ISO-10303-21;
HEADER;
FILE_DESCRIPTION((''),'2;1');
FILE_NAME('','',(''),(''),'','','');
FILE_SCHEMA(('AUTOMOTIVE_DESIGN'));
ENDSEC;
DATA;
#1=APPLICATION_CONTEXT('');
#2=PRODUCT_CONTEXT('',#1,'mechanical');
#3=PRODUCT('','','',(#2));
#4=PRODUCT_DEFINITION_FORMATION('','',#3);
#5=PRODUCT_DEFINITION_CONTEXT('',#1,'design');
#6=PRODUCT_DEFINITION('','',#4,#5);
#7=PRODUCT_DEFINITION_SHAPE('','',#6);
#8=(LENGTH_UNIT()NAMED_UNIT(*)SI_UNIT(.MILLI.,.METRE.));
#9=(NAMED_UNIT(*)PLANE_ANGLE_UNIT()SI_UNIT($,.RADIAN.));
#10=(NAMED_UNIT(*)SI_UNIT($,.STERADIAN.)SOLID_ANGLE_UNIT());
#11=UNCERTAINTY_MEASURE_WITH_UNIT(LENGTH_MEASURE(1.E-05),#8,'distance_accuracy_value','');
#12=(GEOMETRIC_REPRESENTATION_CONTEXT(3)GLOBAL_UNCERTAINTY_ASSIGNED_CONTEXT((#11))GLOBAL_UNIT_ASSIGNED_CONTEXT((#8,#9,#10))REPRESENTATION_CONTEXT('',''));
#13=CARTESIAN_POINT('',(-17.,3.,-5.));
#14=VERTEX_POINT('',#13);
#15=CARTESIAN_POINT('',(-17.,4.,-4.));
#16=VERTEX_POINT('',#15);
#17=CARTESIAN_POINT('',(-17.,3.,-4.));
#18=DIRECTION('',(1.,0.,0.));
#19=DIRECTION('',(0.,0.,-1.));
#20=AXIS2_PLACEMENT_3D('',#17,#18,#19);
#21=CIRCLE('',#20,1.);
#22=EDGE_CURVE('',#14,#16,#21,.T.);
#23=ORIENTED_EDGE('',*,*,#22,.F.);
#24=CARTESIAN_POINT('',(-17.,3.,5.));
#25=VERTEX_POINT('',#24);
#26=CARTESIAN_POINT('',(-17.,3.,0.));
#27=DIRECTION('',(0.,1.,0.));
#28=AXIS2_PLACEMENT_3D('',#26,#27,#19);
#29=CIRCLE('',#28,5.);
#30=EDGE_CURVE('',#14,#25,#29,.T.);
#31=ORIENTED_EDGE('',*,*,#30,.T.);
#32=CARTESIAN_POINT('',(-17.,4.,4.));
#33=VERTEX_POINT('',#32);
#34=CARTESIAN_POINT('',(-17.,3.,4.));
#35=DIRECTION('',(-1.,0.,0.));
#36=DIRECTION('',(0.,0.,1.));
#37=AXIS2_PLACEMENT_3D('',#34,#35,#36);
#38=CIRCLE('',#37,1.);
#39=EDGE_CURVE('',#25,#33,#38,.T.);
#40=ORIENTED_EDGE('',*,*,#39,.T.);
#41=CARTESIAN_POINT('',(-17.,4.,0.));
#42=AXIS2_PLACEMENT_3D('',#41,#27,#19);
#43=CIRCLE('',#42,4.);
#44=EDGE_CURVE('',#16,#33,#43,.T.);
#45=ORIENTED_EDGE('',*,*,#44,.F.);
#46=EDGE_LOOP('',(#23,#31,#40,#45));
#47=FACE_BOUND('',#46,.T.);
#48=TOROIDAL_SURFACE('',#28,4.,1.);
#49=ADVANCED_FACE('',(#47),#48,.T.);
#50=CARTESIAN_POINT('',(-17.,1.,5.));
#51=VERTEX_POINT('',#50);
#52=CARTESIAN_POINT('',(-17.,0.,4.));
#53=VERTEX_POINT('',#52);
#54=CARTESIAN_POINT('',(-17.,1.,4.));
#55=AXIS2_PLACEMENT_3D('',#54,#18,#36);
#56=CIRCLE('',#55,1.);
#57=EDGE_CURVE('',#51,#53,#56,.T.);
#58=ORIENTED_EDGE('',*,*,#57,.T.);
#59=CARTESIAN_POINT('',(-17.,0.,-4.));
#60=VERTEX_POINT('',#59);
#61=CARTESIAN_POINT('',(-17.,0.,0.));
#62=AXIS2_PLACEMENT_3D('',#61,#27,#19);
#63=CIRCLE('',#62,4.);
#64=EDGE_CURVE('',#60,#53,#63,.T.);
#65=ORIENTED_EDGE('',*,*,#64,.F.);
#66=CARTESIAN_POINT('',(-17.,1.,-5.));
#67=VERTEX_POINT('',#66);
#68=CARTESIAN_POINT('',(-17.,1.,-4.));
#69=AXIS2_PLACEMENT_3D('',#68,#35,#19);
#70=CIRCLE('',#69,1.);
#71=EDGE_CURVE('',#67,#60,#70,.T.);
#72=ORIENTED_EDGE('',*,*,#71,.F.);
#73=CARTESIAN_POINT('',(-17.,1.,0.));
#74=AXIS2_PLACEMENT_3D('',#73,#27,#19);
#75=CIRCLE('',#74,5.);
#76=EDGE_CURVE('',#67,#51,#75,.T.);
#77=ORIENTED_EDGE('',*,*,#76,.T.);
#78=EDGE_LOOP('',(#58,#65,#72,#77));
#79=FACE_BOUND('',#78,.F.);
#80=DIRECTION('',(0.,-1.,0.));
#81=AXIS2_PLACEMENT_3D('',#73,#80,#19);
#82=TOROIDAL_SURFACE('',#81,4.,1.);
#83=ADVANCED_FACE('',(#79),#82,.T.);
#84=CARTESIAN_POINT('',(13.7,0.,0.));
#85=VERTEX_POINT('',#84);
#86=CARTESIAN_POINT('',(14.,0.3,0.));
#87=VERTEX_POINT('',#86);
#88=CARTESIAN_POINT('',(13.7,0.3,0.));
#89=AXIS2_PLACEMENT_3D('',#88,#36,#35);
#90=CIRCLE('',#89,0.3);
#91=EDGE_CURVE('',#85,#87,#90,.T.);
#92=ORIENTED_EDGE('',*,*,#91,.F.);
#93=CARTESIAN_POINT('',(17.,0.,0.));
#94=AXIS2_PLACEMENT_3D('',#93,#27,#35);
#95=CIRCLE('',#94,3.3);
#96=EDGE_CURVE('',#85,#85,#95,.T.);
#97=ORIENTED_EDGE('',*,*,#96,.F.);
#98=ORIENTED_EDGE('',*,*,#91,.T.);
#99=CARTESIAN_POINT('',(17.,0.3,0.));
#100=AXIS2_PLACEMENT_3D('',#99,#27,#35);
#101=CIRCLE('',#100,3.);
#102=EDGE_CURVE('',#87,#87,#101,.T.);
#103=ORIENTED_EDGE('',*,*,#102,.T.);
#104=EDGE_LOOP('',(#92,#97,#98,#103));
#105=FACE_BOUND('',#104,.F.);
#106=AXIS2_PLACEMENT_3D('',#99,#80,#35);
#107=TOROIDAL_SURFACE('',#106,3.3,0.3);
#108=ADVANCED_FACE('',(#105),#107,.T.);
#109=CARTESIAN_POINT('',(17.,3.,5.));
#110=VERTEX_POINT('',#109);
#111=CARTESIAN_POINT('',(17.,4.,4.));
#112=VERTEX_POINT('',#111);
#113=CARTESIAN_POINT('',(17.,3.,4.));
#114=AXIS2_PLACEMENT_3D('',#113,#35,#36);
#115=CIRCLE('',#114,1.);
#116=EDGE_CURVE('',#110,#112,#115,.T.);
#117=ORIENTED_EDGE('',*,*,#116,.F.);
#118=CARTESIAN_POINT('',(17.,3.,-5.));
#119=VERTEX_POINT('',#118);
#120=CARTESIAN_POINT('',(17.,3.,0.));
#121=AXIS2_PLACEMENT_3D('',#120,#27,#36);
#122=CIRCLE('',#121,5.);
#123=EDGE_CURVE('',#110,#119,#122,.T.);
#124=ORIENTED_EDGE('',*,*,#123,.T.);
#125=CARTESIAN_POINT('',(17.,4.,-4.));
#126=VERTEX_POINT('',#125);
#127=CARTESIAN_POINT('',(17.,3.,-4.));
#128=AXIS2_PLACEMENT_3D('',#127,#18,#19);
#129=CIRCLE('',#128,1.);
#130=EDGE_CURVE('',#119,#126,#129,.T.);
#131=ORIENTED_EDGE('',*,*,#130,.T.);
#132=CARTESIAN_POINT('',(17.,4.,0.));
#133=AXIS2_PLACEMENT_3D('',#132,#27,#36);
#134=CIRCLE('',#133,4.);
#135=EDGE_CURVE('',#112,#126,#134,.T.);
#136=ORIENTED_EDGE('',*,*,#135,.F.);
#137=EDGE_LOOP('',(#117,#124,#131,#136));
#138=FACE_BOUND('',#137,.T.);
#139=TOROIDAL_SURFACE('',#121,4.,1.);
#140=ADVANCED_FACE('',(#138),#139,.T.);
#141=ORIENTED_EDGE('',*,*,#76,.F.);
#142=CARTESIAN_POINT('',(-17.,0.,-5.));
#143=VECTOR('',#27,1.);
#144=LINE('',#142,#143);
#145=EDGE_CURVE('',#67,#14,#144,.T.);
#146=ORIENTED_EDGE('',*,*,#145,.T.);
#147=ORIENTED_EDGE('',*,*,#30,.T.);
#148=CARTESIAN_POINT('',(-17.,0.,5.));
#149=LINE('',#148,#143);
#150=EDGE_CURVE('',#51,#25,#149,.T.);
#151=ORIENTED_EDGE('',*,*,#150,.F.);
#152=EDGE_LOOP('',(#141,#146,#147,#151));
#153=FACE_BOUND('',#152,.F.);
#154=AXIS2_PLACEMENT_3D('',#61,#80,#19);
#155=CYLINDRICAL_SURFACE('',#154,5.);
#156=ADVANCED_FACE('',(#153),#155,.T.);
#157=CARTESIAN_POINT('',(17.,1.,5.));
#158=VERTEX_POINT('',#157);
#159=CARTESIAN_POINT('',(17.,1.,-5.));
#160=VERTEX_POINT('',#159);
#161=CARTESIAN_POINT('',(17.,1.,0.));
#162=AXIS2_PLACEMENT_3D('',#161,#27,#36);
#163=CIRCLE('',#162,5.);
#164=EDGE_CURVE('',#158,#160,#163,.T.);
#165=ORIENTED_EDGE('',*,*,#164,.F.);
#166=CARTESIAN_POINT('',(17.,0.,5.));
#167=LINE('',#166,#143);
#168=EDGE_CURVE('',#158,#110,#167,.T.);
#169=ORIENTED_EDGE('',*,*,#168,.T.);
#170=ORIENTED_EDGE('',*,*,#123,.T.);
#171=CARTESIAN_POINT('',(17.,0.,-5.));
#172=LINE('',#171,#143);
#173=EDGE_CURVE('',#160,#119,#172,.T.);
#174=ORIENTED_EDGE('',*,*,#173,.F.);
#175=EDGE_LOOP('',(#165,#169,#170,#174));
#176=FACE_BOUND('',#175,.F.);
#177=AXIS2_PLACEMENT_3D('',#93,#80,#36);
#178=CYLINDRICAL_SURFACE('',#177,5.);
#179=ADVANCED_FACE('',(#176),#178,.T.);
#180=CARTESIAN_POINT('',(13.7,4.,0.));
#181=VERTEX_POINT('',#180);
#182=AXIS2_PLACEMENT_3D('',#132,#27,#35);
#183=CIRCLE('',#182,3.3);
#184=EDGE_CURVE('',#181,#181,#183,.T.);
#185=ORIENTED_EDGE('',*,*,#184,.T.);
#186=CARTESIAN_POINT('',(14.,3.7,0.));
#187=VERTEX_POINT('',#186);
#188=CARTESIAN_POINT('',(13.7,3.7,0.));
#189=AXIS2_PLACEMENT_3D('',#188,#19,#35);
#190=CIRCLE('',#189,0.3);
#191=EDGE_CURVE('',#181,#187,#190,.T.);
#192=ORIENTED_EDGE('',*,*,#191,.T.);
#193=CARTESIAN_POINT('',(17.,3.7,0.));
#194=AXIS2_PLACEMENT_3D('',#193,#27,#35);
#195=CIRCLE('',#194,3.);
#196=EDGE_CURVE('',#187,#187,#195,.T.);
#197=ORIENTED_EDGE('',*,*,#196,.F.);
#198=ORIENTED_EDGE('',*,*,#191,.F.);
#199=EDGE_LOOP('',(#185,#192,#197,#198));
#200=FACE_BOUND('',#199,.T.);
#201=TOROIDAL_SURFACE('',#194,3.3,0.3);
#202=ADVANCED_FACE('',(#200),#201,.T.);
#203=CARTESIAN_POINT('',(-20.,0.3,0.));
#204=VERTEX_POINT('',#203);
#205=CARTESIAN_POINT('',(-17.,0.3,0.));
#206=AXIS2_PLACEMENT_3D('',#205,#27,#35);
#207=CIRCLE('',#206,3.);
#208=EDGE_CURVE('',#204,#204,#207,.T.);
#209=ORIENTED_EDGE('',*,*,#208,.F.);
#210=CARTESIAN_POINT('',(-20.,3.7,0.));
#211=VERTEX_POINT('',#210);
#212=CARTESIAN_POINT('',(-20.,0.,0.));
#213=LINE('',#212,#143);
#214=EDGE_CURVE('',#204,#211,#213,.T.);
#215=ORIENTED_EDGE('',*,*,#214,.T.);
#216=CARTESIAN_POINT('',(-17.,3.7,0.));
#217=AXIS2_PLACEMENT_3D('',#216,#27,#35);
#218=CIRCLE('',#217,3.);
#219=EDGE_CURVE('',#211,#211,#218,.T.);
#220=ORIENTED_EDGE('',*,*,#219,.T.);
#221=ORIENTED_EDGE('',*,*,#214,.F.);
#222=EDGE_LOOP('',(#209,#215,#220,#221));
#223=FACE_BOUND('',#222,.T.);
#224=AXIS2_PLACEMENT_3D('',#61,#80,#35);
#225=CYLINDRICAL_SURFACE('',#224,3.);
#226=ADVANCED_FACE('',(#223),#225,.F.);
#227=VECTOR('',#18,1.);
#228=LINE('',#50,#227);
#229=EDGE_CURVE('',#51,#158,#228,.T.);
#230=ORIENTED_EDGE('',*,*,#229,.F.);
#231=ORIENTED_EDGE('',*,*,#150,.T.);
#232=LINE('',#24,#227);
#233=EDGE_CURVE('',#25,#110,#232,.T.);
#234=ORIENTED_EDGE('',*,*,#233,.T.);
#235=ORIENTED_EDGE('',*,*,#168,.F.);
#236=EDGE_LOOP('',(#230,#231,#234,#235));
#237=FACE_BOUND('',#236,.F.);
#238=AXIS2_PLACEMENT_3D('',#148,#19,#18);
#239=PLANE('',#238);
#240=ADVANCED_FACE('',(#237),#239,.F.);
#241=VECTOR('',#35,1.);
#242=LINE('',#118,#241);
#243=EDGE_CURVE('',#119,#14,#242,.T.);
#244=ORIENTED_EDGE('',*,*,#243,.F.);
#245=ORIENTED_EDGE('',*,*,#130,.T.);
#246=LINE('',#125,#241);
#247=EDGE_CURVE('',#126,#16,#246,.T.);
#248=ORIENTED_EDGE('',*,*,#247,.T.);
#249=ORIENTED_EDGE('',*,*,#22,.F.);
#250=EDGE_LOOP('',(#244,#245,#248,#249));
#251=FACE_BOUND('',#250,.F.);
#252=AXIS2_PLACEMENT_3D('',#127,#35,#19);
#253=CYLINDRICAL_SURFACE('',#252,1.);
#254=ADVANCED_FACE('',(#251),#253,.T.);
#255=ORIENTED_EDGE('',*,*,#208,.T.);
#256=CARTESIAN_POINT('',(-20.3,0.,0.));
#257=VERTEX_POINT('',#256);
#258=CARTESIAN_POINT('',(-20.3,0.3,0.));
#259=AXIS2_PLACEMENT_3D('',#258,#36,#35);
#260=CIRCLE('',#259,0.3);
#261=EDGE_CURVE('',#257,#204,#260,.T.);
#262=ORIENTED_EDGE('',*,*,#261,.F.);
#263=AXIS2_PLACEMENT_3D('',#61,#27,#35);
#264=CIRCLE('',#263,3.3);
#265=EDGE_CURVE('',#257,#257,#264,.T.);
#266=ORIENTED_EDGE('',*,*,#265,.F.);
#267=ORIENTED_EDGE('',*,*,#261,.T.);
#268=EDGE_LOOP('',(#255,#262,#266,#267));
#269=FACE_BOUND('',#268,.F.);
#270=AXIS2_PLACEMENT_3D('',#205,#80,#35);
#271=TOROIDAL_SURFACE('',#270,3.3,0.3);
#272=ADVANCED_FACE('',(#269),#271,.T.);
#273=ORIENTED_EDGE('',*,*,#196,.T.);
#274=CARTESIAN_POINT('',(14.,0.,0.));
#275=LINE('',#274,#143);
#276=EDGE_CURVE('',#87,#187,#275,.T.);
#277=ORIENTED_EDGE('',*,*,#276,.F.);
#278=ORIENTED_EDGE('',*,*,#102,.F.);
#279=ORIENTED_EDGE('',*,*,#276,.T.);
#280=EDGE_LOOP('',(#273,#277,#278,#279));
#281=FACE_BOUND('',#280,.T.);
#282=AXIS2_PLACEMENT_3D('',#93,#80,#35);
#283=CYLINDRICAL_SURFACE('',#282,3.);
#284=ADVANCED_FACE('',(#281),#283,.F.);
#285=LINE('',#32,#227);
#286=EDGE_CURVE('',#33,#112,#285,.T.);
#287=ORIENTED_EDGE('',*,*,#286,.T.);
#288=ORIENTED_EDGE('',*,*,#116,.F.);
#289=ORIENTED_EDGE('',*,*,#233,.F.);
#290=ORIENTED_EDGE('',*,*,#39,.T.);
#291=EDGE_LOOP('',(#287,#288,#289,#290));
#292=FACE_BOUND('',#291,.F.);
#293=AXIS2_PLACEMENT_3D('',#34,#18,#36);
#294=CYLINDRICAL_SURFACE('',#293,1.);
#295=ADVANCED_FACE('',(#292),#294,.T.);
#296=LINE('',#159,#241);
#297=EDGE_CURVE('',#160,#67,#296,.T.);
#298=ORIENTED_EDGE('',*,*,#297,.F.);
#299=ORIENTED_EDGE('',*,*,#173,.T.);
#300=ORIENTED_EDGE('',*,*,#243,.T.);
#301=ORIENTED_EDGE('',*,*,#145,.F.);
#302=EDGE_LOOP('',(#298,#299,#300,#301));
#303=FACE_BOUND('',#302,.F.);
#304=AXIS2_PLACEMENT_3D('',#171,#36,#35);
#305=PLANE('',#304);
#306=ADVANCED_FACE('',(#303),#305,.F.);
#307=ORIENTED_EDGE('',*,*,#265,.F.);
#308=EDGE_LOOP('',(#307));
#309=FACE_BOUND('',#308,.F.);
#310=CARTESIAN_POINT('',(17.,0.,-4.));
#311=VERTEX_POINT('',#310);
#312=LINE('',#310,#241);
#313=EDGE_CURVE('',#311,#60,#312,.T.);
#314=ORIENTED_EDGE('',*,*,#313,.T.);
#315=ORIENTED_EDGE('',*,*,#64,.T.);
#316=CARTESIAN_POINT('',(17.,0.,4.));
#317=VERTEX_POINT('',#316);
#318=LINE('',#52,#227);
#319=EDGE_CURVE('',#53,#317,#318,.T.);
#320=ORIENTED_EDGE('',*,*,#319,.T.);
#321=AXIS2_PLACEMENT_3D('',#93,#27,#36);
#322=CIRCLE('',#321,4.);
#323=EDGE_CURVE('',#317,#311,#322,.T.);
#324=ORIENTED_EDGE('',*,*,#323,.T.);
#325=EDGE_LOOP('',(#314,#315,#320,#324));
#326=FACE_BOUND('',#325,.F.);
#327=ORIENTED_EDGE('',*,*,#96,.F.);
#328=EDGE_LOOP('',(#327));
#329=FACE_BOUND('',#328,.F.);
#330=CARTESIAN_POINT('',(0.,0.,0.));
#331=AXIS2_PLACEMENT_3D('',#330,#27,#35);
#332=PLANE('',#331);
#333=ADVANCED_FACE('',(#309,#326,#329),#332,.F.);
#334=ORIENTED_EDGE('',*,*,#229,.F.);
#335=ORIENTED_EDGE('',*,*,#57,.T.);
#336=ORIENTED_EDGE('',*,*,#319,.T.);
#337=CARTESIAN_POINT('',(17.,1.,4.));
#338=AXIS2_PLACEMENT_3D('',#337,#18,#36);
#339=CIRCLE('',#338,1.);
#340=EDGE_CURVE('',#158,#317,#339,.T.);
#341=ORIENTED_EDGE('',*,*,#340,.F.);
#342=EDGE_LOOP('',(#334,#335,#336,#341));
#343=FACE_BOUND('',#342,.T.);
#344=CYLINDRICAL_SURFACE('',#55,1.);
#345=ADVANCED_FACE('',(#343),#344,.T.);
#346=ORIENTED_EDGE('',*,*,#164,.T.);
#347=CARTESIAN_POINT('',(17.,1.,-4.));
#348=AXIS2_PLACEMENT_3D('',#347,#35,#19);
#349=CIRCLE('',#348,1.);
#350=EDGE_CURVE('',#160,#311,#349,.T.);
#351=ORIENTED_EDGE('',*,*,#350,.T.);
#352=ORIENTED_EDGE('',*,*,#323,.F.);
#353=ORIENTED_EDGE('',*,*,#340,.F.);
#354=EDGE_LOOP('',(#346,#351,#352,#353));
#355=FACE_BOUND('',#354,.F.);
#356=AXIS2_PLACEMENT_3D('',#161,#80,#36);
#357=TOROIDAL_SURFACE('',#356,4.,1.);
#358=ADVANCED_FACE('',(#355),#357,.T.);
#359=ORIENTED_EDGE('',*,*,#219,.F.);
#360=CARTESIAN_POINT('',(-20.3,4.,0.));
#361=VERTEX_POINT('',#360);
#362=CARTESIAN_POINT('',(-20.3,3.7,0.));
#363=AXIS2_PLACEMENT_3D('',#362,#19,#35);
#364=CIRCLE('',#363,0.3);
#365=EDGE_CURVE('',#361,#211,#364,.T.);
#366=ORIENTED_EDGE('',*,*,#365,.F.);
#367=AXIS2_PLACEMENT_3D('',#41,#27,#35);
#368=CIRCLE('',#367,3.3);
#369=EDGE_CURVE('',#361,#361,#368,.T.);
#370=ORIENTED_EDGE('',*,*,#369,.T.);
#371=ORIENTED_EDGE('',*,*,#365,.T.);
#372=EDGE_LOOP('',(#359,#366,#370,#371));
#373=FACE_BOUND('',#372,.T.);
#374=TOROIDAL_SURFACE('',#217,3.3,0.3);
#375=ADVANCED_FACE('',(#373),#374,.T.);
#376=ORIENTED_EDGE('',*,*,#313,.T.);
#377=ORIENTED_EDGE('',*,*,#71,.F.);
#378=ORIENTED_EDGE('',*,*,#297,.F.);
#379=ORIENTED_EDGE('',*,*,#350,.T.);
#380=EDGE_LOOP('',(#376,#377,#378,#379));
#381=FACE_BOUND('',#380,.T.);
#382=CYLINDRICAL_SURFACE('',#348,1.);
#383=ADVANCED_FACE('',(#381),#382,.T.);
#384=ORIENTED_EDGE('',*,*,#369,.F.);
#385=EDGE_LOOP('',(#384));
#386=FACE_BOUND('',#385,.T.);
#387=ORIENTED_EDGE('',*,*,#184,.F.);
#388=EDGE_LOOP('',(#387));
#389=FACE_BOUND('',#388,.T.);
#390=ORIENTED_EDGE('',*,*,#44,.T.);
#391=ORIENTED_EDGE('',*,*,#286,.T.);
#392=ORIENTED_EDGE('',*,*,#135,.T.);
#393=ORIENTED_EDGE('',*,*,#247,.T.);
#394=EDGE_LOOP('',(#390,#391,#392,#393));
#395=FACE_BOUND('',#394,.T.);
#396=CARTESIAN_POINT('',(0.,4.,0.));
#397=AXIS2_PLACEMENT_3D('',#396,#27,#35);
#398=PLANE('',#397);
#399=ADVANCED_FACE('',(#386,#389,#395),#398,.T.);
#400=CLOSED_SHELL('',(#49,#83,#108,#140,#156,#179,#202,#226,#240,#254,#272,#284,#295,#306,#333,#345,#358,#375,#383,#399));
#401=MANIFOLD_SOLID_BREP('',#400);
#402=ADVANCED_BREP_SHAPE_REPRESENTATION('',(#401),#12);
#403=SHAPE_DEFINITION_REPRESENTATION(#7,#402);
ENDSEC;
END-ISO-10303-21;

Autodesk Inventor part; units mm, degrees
ref_plane "YZ Plane" through (0, 0, 0) normal (1, 0, 0) x (0, 1, 0)
ref_plane "XY Plane" through (0, 0, 0) normal (0, 0, 1) x (1, 0, 0)
sketch "Эскиз1" plane through (0, 0, 0) normal (0, 1, 0) x (-1, 0, 0)
  line L0 (17, 0) -> (-17, 0) construction
  line L1 (17, 5) -> (-17, 5)
  line L2 (-17, -5) -> (17, -5)
  arc A0 (17, -5) -> (17, 5) centre (17, 0) ccw
  arc A1 (-17, 5) -> (-17, -5) centre (-17, 0) ccw
  circle A2 centre (17, 0) radius 3
  circle A3 centre (-17, 0) radius 3
  point P0 (0, 0)
  point P1 (0, 0)
  dimension "d0" = 34
  dimension "d1" = 10
  dimension "d2" = 6
extrude "Выдавливание1" add sketch "Эскиз1" along normal blind 4
fillet "Сопряжение1" radius 1 8 edges at (22, 4, 0) (0, 4, -5) (-22, 4, 0) (0, 4, 5) (22, 0, 0) (0, 0, -5) (-22, 0, 0) (0, 0, 5)
fillet "Сопряжение2" radius 0.3 4 edges at (-14, 0, 0) (-14, 4, 0) (20, 0, 0) (20, 4, 0)
properties part number "рычаг-1"
